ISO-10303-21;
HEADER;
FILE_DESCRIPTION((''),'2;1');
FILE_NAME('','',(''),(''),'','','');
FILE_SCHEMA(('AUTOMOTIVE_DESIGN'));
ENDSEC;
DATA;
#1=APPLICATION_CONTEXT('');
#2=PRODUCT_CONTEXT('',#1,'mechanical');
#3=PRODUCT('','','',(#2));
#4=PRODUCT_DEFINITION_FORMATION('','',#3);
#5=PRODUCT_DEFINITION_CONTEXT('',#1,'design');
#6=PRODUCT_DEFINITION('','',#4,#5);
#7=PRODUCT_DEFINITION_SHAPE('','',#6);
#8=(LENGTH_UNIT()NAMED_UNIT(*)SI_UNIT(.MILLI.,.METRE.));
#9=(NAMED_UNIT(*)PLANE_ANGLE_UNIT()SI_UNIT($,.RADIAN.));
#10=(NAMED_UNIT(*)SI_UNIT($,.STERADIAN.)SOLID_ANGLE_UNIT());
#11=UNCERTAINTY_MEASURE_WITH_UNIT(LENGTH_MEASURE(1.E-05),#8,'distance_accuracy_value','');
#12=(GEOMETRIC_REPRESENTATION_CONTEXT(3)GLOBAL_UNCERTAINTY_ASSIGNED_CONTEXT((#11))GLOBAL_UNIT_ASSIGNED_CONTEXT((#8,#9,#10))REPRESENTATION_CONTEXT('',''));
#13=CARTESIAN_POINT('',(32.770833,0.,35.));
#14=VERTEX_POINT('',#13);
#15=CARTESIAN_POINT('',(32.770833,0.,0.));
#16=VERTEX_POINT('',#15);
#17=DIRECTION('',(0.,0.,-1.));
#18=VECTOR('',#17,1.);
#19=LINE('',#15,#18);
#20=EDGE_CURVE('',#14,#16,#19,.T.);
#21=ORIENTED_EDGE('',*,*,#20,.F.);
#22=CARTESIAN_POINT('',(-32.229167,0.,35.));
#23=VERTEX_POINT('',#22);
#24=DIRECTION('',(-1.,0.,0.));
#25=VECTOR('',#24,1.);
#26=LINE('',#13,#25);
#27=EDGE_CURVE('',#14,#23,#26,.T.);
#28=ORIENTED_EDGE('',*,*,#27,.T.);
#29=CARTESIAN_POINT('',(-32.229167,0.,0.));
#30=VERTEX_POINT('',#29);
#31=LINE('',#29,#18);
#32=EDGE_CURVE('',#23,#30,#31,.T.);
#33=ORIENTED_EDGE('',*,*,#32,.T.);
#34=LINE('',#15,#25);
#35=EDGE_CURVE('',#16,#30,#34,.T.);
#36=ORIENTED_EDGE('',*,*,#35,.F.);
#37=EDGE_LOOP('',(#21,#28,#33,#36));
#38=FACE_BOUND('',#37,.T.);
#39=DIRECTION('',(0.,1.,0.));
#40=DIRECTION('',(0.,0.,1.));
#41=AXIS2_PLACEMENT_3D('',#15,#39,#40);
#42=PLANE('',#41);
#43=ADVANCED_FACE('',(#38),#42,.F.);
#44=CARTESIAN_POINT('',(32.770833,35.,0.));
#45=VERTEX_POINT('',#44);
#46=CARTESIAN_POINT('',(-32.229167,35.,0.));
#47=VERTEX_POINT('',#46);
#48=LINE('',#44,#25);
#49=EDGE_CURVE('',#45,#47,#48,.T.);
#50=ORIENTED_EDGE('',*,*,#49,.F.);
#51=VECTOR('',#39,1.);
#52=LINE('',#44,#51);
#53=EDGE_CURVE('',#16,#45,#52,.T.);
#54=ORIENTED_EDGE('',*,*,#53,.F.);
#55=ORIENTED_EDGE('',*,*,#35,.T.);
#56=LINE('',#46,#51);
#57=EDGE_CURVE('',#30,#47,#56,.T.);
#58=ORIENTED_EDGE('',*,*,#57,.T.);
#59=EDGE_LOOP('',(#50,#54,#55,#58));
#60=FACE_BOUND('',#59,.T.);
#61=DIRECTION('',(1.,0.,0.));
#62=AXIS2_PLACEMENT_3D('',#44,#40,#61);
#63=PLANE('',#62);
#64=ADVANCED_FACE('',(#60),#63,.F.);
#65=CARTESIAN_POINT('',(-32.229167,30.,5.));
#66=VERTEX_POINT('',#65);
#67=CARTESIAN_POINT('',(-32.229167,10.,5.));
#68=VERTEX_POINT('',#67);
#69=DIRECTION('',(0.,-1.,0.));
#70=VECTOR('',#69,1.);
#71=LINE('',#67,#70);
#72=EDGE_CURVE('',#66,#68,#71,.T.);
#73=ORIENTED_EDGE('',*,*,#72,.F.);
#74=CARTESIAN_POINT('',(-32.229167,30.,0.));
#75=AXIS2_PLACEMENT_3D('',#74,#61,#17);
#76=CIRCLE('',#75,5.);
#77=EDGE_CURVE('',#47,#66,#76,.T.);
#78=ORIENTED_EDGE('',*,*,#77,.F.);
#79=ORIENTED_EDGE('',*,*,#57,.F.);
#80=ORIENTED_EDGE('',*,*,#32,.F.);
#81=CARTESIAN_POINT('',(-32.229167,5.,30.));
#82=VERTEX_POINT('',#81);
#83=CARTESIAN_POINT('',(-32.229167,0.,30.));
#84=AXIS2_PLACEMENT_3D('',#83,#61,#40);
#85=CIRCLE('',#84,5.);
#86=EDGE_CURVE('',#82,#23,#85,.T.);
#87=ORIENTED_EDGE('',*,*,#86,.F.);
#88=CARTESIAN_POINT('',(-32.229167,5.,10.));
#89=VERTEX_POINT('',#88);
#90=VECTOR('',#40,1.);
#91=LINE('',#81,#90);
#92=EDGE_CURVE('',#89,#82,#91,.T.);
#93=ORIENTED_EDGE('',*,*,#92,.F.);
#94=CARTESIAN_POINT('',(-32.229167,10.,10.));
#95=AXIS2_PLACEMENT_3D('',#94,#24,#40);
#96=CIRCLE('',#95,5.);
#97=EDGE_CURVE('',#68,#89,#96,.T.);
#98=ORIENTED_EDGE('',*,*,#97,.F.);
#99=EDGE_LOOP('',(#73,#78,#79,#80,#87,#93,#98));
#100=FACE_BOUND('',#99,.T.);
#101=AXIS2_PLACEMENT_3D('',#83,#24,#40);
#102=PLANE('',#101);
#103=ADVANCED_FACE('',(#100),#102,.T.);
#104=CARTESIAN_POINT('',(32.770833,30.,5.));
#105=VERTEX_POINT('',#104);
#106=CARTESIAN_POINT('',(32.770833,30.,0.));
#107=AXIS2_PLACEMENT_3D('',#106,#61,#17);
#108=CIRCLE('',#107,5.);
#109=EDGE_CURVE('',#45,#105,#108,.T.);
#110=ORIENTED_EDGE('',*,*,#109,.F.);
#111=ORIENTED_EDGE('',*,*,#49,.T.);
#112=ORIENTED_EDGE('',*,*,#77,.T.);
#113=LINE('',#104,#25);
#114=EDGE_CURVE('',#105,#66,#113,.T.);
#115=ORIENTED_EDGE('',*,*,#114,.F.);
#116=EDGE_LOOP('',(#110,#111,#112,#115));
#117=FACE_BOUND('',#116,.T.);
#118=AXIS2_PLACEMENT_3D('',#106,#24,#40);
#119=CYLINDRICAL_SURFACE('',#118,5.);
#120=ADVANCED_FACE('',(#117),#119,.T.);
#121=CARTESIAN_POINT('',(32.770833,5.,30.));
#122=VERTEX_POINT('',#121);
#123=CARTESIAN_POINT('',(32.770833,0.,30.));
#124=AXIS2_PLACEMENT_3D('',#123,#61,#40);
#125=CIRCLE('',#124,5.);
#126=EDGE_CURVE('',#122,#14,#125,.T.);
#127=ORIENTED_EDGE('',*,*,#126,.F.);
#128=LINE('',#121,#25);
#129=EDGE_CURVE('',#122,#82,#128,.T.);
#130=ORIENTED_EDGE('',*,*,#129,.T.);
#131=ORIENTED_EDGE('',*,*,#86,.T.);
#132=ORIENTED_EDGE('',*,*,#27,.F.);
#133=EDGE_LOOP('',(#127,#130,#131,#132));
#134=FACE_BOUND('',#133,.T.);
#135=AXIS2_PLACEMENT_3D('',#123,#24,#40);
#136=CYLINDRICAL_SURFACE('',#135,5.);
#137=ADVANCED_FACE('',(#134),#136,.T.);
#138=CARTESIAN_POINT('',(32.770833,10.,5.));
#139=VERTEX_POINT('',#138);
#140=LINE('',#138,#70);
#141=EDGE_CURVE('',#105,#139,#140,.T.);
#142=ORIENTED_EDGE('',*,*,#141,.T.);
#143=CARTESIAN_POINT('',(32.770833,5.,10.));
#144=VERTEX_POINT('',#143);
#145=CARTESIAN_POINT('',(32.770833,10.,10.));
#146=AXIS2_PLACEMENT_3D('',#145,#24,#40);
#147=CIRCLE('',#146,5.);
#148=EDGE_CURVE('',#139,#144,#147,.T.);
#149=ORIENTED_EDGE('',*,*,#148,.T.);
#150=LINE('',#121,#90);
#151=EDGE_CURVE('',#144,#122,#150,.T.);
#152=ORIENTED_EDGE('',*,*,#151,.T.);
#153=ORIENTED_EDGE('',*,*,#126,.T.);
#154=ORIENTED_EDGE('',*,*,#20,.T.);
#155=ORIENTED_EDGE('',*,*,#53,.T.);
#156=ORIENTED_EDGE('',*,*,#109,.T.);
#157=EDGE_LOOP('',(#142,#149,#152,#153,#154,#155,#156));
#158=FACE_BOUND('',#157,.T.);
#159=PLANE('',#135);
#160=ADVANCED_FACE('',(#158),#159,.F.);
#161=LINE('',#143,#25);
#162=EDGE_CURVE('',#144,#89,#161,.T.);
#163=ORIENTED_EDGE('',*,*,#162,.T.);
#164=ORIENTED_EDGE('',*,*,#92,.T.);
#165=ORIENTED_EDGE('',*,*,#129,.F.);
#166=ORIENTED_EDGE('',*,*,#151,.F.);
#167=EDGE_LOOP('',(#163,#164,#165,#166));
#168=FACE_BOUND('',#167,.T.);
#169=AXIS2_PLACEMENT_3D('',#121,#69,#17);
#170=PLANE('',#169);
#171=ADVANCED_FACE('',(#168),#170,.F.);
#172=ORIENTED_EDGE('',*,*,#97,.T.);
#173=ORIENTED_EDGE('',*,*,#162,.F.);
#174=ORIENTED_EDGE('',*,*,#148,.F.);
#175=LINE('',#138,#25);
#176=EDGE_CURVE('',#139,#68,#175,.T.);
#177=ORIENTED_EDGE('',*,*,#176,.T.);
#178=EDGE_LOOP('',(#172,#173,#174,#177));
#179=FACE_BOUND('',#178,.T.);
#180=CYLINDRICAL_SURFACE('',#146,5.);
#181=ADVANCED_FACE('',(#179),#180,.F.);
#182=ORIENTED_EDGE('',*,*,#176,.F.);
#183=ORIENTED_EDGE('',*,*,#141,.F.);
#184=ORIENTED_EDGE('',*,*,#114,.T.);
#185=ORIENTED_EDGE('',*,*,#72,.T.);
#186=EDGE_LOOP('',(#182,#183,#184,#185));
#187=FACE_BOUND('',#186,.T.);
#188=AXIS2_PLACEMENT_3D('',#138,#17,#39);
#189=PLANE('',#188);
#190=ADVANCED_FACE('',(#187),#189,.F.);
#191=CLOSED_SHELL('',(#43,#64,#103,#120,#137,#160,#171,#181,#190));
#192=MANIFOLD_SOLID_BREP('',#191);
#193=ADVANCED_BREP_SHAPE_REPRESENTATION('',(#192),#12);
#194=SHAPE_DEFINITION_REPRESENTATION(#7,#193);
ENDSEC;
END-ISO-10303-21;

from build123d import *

# Parameters (mm, degrees)
ANGLE_IRON_35_X_35_X_5_1_DEPTH = 65


with BuildPart() as part:
    # Sketch11 → Angle iron 35 X 35 X 5(1) (new body)
    with BuildSketch(Plane.YZ.offset(-32.229166667)):
        with BuildLine():
            Line((0, 0), (0, 35))
            ThreePointArc((0, 35), (3.535533906, 33.535533906), (5, 30))
            Line((5, 30), (5, 10))
            ThreePointArc((5, 10), (6.464466094, 6.464466094), (10, 5))
            Line((10, 5), (30, 5))
            ThreePointArc((30, 5), (33.535533906, 3.535533906), (35, 0))
            Line((35, 0), (0, 0))
        make_face()
    extrude(amount=ANGLE_IRON_35_X_35_X_5_1_DEPTH)


solid = part.part
